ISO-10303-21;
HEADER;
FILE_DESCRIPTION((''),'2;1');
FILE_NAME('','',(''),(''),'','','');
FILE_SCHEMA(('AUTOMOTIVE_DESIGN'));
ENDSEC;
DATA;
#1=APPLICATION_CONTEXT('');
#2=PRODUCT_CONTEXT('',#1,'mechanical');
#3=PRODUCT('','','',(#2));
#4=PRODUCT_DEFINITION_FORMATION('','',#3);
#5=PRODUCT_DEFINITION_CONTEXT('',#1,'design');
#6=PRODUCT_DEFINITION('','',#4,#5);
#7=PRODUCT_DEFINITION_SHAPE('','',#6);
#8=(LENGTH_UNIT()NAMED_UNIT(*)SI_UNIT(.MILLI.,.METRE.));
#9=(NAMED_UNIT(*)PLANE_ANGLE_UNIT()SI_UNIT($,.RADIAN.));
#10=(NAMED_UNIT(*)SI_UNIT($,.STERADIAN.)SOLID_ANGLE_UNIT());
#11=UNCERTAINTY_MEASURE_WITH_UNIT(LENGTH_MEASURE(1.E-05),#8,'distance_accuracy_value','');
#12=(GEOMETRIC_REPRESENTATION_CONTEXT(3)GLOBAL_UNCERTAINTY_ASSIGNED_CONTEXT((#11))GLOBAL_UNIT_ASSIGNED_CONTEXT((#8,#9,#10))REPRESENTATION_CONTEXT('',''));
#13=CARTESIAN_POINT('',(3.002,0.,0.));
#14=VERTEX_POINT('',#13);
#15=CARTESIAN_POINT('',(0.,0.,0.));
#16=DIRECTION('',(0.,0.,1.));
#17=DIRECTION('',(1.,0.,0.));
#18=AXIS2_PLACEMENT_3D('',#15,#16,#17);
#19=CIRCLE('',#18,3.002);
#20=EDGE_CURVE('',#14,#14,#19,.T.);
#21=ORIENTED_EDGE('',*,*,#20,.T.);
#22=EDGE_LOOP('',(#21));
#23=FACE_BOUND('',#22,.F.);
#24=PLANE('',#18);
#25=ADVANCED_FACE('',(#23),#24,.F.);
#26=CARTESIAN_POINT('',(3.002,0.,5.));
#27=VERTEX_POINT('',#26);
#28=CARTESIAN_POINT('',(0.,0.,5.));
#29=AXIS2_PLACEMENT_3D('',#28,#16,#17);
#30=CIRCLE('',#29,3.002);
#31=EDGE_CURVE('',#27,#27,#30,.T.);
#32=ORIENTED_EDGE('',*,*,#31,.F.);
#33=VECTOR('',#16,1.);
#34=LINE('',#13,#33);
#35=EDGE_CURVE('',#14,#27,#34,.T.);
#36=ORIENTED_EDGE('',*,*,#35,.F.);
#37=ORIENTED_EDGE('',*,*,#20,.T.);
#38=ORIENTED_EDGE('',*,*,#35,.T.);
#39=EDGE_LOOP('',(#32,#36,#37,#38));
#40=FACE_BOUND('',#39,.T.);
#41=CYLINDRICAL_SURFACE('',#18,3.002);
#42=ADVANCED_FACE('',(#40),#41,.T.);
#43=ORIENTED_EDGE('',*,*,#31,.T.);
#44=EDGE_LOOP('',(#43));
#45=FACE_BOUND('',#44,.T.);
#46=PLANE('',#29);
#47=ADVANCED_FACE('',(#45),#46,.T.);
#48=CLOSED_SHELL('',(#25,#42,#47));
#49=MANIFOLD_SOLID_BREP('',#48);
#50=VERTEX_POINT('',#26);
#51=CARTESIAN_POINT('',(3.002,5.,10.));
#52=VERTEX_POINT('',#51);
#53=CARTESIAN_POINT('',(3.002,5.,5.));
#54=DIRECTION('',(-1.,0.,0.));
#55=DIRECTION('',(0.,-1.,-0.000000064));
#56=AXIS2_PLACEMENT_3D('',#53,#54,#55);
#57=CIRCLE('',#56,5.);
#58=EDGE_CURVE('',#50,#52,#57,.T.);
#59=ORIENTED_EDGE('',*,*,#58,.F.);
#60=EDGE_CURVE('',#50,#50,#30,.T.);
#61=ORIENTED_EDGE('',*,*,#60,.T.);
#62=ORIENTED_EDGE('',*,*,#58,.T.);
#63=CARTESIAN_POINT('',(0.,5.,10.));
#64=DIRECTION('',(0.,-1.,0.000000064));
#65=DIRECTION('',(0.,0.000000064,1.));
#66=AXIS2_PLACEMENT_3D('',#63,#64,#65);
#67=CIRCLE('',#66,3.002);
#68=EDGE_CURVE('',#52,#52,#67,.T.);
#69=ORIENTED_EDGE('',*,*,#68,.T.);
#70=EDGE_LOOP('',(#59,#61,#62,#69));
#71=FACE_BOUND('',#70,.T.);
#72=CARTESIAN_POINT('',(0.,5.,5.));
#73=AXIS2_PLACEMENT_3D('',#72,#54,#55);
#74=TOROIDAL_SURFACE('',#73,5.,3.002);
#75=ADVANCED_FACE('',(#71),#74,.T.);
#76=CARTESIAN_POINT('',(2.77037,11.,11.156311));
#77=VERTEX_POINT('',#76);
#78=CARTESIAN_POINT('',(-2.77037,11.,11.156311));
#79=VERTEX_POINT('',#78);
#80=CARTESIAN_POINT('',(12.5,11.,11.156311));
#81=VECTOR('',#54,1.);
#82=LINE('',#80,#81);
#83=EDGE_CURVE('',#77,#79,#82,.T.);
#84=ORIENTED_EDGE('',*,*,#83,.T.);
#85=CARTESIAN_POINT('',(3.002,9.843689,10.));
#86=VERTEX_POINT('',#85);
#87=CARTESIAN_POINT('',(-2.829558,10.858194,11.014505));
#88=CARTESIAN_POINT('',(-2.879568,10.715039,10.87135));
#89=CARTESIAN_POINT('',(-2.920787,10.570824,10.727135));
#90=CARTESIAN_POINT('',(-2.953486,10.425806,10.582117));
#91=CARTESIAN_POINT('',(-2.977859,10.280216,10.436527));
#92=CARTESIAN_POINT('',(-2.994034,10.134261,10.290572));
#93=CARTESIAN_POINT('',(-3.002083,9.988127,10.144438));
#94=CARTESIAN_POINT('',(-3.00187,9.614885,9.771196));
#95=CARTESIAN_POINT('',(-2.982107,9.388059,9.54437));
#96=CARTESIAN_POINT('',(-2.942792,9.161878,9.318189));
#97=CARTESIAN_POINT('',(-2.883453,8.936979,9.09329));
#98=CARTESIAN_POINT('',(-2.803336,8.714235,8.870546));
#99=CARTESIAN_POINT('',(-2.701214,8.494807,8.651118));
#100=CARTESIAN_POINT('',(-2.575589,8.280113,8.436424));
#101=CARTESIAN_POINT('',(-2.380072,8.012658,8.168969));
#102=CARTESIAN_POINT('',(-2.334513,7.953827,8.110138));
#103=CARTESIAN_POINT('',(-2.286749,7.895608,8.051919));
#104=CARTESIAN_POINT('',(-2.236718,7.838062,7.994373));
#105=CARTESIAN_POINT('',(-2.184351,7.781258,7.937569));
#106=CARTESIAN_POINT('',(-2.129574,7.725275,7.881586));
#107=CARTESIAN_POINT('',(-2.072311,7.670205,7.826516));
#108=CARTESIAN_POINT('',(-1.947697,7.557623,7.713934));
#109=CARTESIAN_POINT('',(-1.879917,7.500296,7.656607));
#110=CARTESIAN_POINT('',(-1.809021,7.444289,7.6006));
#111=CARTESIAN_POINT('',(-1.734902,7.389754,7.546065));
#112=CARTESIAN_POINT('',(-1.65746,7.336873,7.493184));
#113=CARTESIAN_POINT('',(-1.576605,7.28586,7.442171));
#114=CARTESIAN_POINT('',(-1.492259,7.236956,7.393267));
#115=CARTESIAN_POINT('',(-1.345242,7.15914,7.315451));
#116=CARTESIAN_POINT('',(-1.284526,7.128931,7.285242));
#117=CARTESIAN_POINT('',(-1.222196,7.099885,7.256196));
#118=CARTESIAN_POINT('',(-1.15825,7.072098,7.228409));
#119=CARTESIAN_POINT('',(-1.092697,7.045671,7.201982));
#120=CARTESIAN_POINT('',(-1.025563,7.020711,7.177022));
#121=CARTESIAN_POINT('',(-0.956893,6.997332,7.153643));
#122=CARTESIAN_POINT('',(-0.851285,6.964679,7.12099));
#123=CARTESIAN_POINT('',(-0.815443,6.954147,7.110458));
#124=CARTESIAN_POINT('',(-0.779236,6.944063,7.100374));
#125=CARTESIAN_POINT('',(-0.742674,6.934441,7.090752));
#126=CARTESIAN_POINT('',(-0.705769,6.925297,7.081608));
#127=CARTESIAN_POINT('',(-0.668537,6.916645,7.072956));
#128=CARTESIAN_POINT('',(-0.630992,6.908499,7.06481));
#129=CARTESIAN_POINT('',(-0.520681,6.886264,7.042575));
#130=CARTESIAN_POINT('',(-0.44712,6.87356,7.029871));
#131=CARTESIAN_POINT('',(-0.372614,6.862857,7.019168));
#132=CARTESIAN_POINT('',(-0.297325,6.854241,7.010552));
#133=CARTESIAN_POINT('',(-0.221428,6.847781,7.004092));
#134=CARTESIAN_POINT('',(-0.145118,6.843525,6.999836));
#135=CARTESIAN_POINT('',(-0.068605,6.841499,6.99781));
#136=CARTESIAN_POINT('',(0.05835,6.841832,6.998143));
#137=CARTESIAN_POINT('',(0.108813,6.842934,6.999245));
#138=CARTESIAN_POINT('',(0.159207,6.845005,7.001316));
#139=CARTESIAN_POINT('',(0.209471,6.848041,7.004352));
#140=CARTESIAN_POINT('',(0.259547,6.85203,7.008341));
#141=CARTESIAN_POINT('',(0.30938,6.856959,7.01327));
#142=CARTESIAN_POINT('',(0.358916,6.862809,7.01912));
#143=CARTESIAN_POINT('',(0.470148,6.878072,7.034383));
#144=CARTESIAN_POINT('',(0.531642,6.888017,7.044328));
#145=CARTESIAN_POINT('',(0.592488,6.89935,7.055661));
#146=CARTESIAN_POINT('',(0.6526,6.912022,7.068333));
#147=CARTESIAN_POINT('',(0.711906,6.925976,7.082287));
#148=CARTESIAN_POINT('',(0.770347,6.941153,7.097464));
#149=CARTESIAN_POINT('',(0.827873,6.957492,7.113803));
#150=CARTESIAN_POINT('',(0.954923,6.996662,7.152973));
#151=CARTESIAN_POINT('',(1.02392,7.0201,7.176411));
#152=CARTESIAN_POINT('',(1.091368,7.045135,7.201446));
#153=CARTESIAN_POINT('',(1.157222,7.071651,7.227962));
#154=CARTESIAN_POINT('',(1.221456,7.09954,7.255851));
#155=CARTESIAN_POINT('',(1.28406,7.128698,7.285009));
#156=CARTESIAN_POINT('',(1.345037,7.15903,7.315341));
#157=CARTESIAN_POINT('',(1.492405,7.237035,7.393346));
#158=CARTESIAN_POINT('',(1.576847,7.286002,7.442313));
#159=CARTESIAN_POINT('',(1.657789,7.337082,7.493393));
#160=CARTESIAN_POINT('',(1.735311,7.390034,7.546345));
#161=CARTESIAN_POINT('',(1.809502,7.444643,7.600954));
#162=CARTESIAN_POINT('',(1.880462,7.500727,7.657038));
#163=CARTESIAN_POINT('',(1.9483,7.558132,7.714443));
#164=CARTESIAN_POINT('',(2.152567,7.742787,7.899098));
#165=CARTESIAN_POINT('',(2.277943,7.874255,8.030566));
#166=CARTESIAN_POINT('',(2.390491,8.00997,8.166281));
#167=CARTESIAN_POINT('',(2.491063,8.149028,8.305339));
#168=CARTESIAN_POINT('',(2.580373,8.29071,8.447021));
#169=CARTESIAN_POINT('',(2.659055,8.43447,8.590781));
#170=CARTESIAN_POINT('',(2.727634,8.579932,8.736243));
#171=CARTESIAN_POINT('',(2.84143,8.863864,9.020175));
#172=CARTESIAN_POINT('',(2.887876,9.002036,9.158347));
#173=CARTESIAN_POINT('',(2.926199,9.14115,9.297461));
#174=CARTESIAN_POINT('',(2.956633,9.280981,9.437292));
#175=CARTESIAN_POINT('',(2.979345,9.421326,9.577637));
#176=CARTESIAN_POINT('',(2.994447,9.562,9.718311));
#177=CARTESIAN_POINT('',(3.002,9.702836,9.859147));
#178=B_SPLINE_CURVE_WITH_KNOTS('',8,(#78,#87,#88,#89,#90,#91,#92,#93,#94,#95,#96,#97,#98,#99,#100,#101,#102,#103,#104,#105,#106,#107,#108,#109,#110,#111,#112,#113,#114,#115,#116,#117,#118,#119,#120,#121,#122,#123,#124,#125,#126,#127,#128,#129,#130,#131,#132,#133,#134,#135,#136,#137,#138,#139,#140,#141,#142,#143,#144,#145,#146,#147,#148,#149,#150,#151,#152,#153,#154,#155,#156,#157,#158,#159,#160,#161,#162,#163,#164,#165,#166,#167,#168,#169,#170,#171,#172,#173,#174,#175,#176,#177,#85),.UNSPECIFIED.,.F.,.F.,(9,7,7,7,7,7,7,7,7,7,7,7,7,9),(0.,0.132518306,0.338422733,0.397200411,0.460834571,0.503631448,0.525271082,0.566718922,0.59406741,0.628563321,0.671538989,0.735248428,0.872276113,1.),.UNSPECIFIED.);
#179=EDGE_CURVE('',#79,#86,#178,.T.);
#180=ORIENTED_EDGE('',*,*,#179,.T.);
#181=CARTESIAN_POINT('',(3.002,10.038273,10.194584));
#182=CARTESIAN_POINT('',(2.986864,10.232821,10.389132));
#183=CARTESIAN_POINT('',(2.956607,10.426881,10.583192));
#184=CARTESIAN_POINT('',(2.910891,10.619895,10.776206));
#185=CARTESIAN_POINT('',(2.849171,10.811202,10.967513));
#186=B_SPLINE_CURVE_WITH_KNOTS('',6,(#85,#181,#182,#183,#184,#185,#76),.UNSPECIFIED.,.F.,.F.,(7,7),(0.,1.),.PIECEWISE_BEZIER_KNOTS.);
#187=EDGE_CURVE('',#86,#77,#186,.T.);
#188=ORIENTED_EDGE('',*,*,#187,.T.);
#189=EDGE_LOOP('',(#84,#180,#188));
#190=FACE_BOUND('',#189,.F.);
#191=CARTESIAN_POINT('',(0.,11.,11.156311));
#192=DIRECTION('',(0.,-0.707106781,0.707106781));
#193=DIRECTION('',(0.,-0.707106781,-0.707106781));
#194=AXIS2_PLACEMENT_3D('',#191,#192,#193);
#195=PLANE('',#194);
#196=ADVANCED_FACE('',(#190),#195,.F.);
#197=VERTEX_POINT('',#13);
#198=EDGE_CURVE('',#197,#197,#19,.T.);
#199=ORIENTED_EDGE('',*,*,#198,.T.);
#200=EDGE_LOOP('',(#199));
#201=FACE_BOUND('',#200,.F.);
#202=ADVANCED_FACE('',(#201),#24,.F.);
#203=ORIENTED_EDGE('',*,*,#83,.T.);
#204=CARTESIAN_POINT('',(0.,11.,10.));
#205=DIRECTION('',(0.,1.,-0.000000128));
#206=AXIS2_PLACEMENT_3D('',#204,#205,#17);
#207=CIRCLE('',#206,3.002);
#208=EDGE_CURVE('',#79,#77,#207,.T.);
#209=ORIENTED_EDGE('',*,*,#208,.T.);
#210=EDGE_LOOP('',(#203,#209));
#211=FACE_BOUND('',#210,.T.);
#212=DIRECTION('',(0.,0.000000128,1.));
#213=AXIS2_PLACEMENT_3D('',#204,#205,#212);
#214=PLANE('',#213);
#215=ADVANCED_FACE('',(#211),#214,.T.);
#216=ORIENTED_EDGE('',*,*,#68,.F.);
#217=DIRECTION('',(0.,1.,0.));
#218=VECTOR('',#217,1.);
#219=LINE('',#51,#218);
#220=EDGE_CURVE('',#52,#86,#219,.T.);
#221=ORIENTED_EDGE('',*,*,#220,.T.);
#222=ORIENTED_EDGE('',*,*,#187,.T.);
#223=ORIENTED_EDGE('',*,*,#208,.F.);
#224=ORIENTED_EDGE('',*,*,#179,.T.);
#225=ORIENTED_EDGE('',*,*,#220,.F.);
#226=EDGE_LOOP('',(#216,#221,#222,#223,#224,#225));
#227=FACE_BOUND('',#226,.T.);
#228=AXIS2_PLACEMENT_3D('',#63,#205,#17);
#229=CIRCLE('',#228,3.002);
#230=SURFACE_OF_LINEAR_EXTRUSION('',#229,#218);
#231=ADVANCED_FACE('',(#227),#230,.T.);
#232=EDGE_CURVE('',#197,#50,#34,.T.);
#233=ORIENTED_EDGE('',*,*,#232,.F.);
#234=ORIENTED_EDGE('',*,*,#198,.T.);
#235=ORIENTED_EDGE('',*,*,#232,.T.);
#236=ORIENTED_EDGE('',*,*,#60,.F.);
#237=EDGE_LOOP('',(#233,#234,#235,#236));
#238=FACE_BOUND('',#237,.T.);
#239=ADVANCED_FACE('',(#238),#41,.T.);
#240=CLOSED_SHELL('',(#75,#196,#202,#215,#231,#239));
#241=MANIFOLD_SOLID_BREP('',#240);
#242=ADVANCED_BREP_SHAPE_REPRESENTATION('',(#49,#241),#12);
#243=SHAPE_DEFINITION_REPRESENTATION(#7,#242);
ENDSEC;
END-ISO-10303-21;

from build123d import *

# Parameters (mm, degrees)
F1_R     = 3.002
F4_DEPTH = 12.5


with BuildPart() as f2:
    # F2: sweep along a path in F0
    with BuildLine(Plane.YZ) as f2_path:
        Line((0, 0), (0, 5))
        ThreePointArc((0, 5), (1.464466, 8.535534), (5, 10))
        Line((5, 10), (11, 10))
    # F1 (on Top) → F2 (sweep)
    with BuildSketch(Plane.XY):
        Circle(F1_R)
    sweep(path=f2_path.line)

    # F3 (on Right) → F4 (cut, symmetric)
    with BuildSketch(Plane.YZ):
        Polygon((11, 11.156311), (6.841689, 6.998), (11, 6.998), align=None)
    extrude(amount=F4_DEPTH, both=True, mode=Mode.SUBTRACT)


with BuildPart() as f5:
    # F5: sweep along a path in F0
    with BuildLine(Plane.YZ) as f5_path:
        Line((0, 0), (0, 5))
    # F1 (on Top) → F5 (sweep)
    with BuildSketch(Plane.XY):
        Circle(F1_R)
    sweep(path=f5_path.line)


solid = Compound([f2.part, f5.part])
